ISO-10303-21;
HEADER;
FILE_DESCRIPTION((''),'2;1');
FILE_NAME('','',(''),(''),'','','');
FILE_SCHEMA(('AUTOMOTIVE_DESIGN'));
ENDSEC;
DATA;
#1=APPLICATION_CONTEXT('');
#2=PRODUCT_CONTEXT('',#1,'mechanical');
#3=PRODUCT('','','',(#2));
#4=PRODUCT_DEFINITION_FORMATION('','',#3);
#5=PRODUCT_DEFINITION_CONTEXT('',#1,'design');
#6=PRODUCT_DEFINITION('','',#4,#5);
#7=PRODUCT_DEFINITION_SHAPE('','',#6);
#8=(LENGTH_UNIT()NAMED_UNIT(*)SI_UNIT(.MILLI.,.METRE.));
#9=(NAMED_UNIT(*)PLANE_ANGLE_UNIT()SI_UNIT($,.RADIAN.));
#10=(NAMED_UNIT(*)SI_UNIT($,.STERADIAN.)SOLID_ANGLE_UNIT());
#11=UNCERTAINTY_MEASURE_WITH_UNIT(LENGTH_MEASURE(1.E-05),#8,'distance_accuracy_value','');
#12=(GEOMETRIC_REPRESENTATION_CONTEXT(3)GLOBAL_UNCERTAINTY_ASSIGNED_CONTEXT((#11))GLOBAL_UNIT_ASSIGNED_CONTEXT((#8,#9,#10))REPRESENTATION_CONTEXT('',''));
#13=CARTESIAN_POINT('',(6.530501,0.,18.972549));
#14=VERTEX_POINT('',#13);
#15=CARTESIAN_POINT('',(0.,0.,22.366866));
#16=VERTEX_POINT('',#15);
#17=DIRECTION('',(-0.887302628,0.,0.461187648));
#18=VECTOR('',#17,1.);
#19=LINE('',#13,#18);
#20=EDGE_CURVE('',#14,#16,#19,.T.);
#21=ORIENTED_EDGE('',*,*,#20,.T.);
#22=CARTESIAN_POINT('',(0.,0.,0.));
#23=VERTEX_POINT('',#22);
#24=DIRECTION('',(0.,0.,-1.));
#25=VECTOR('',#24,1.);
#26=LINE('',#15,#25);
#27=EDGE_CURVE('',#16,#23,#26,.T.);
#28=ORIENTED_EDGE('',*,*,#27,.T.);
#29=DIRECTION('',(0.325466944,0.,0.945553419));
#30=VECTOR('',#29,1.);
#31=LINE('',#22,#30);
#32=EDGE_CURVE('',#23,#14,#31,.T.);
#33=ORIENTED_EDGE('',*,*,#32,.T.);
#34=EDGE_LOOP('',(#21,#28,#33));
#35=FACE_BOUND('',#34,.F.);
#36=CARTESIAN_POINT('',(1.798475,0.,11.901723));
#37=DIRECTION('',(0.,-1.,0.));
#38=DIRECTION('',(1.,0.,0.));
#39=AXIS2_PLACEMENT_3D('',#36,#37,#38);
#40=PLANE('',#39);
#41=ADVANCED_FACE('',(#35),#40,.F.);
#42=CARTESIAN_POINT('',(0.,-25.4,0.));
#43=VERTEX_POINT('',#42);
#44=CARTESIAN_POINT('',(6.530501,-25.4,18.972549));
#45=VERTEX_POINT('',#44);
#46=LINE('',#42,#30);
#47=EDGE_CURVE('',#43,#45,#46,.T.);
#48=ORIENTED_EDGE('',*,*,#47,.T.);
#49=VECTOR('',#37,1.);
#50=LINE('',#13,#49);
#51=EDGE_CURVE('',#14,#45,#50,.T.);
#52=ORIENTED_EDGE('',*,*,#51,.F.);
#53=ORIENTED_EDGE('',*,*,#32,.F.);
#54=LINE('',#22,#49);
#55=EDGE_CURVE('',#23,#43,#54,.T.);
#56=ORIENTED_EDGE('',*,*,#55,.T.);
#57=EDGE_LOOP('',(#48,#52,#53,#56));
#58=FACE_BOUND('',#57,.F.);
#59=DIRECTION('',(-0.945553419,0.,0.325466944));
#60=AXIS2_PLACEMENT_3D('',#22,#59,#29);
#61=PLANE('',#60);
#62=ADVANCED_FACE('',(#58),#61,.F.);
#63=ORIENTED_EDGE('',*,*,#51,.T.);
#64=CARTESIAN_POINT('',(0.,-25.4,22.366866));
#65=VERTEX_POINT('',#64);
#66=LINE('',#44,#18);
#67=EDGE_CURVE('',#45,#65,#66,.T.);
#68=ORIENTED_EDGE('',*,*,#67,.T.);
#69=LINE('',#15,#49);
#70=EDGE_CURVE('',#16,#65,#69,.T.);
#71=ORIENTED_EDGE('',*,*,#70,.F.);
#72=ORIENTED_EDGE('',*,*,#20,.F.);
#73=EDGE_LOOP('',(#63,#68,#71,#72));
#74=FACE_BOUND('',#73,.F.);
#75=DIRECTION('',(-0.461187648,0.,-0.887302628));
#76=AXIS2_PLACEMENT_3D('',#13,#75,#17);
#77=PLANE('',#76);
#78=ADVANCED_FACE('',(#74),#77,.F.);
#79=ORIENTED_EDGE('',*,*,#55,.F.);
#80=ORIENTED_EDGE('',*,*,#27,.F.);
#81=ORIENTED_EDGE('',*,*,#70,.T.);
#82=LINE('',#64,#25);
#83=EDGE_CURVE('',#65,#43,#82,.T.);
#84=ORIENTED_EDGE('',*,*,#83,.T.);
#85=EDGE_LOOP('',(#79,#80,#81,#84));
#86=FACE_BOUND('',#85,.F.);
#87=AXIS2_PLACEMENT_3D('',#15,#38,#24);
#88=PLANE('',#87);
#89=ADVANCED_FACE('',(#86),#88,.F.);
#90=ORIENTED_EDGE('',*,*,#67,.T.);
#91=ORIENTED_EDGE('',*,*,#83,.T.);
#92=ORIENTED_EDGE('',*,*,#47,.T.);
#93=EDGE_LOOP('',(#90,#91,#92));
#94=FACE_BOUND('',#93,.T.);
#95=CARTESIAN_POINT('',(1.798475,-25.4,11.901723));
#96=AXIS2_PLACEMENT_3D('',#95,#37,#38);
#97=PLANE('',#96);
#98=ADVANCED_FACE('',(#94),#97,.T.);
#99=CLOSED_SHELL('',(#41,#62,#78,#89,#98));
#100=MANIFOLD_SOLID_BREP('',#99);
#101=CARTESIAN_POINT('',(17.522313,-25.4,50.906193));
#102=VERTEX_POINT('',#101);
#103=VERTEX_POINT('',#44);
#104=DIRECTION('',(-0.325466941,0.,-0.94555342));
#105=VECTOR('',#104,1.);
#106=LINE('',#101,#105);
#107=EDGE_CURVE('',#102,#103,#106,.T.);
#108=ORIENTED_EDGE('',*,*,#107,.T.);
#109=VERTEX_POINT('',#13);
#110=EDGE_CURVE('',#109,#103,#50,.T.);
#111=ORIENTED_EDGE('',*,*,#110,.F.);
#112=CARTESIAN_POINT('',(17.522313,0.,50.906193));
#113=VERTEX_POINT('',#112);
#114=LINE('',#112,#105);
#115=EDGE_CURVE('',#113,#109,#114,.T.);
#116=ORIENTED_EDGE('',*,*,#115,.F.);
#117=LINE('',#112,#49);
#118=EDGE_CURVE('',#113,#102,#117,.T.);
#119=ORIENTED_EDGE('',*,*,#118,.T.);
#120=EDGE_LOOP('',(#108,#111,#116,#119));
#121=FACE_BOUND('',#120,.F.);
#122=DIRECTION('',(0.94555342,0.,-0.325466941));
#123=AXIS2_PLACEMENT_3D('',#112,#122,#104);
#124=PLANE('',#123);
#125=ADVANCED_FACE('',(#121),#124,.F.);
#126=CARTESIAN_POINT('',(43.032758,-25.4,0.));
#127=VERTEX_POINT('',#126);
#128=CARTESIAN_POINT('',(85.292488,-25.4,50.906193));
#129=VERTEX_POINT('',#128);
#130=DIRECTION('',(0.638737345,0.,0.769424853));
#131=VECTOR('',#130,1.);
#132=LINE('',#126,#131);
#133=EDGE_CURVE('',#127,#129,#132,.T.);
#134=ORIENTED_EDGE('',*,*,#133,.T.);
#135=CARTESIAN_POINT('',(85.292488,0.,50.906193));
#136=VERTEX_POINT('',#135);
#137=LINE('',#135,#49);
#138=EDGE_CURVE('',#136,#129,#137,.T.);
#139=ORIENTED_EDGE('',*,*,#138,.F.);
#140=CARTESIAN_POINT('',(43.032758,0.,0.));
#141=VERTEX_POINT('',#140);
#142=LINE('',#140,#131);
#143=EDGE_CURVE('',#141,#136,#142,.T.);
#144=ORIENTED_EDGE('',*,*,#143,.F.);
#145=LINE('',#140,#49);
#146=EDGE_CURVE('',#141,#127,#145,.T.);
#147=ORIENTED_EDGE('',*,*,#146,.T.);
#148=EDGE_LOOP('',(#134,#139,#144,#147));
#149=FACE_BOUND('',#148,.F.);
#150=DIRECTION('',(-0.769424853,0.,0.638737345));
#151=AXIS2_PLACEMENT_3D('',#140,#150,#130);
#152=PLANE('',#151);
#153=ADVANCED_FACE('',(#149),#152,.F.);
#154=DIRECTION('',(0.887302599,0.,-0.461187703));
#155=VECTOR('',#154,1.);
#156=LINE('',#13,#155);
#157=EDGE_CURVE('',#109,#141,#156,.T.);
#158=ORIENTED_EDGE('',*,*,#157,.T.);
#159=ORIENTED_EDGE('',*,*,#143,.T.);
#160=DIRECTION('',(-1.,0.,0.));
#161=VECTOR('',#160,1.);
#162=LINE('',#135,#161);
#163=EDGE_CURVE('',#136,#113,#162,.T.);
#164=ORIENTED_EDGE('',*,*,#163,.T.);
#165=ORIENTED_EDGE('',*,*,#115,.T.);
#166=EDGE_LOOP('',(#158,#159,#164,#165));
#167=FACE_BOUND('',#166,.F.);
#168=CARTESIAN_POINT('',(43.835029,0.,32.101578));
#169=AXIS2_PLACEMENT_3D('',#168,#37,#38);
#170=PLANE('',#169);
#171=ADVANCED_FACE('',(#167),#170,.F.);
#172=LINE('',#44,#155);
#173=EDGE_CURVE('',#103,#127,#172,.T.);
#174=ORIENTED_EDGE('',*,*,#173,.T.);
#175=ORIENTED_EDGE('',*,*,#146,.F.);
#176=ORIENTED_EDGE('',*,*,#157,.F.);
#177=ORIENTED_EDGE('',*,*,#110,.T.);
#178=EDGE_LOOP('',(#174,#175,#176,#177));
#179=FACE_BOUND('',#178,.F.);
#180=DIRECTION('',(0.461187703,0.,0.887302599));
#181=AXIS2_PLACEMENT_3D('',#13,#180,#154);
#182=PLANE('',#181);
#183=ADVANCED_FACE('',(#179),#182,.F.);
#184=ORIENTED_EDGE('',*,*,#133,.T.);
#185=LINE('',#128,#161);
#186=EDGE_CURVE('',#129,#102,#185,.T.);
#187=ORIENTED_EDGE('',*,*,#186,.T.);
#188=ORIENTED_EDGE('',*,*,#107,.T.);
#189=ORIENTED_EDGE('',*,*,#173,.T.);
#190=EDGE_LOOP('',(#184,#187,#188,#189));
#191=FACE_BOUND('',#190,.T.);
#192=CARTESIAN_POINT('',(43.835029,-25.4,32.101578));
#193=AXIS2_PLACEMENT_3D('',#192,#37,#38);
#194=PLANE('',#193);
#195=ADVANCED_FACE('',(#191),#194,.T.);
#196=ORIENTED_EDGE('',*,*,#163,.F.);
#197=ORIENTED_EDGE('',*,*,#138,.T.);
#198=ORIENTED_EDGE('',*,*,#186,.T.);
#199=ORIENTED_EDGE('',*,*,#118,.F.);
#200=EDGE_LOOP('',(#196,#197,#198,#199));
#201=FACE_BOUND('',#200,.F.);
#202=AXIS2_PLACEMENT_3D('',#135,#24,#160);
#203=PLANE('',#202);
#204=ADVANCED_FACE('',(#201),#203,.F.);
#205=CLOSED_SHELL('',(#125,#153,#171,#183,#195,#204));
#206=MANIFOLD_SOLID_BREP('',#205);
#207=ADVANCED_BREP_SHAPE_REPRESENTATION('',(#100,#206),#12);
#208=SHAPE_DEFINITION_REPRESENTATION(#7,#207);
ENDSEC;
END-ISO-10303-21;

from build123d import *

# Parameters (mm, degrees)
F1_DEPTH = 25.4


with BuildPart() as f1:
    # F0 (on Front) → F1 (new body)
    with BuildSketch(Plane.XZ):
        Polygon((0, 22.366866), (0, 0), (6.530501, 18.972549), align=None)
        Polygon((17.522313, 50.906193), (6.530501, 18.972549), (43.032758, 0), (85.292488, 50.906193), align=None)
    extrude(amount=F1_DEPTH)


solid = f1.part
